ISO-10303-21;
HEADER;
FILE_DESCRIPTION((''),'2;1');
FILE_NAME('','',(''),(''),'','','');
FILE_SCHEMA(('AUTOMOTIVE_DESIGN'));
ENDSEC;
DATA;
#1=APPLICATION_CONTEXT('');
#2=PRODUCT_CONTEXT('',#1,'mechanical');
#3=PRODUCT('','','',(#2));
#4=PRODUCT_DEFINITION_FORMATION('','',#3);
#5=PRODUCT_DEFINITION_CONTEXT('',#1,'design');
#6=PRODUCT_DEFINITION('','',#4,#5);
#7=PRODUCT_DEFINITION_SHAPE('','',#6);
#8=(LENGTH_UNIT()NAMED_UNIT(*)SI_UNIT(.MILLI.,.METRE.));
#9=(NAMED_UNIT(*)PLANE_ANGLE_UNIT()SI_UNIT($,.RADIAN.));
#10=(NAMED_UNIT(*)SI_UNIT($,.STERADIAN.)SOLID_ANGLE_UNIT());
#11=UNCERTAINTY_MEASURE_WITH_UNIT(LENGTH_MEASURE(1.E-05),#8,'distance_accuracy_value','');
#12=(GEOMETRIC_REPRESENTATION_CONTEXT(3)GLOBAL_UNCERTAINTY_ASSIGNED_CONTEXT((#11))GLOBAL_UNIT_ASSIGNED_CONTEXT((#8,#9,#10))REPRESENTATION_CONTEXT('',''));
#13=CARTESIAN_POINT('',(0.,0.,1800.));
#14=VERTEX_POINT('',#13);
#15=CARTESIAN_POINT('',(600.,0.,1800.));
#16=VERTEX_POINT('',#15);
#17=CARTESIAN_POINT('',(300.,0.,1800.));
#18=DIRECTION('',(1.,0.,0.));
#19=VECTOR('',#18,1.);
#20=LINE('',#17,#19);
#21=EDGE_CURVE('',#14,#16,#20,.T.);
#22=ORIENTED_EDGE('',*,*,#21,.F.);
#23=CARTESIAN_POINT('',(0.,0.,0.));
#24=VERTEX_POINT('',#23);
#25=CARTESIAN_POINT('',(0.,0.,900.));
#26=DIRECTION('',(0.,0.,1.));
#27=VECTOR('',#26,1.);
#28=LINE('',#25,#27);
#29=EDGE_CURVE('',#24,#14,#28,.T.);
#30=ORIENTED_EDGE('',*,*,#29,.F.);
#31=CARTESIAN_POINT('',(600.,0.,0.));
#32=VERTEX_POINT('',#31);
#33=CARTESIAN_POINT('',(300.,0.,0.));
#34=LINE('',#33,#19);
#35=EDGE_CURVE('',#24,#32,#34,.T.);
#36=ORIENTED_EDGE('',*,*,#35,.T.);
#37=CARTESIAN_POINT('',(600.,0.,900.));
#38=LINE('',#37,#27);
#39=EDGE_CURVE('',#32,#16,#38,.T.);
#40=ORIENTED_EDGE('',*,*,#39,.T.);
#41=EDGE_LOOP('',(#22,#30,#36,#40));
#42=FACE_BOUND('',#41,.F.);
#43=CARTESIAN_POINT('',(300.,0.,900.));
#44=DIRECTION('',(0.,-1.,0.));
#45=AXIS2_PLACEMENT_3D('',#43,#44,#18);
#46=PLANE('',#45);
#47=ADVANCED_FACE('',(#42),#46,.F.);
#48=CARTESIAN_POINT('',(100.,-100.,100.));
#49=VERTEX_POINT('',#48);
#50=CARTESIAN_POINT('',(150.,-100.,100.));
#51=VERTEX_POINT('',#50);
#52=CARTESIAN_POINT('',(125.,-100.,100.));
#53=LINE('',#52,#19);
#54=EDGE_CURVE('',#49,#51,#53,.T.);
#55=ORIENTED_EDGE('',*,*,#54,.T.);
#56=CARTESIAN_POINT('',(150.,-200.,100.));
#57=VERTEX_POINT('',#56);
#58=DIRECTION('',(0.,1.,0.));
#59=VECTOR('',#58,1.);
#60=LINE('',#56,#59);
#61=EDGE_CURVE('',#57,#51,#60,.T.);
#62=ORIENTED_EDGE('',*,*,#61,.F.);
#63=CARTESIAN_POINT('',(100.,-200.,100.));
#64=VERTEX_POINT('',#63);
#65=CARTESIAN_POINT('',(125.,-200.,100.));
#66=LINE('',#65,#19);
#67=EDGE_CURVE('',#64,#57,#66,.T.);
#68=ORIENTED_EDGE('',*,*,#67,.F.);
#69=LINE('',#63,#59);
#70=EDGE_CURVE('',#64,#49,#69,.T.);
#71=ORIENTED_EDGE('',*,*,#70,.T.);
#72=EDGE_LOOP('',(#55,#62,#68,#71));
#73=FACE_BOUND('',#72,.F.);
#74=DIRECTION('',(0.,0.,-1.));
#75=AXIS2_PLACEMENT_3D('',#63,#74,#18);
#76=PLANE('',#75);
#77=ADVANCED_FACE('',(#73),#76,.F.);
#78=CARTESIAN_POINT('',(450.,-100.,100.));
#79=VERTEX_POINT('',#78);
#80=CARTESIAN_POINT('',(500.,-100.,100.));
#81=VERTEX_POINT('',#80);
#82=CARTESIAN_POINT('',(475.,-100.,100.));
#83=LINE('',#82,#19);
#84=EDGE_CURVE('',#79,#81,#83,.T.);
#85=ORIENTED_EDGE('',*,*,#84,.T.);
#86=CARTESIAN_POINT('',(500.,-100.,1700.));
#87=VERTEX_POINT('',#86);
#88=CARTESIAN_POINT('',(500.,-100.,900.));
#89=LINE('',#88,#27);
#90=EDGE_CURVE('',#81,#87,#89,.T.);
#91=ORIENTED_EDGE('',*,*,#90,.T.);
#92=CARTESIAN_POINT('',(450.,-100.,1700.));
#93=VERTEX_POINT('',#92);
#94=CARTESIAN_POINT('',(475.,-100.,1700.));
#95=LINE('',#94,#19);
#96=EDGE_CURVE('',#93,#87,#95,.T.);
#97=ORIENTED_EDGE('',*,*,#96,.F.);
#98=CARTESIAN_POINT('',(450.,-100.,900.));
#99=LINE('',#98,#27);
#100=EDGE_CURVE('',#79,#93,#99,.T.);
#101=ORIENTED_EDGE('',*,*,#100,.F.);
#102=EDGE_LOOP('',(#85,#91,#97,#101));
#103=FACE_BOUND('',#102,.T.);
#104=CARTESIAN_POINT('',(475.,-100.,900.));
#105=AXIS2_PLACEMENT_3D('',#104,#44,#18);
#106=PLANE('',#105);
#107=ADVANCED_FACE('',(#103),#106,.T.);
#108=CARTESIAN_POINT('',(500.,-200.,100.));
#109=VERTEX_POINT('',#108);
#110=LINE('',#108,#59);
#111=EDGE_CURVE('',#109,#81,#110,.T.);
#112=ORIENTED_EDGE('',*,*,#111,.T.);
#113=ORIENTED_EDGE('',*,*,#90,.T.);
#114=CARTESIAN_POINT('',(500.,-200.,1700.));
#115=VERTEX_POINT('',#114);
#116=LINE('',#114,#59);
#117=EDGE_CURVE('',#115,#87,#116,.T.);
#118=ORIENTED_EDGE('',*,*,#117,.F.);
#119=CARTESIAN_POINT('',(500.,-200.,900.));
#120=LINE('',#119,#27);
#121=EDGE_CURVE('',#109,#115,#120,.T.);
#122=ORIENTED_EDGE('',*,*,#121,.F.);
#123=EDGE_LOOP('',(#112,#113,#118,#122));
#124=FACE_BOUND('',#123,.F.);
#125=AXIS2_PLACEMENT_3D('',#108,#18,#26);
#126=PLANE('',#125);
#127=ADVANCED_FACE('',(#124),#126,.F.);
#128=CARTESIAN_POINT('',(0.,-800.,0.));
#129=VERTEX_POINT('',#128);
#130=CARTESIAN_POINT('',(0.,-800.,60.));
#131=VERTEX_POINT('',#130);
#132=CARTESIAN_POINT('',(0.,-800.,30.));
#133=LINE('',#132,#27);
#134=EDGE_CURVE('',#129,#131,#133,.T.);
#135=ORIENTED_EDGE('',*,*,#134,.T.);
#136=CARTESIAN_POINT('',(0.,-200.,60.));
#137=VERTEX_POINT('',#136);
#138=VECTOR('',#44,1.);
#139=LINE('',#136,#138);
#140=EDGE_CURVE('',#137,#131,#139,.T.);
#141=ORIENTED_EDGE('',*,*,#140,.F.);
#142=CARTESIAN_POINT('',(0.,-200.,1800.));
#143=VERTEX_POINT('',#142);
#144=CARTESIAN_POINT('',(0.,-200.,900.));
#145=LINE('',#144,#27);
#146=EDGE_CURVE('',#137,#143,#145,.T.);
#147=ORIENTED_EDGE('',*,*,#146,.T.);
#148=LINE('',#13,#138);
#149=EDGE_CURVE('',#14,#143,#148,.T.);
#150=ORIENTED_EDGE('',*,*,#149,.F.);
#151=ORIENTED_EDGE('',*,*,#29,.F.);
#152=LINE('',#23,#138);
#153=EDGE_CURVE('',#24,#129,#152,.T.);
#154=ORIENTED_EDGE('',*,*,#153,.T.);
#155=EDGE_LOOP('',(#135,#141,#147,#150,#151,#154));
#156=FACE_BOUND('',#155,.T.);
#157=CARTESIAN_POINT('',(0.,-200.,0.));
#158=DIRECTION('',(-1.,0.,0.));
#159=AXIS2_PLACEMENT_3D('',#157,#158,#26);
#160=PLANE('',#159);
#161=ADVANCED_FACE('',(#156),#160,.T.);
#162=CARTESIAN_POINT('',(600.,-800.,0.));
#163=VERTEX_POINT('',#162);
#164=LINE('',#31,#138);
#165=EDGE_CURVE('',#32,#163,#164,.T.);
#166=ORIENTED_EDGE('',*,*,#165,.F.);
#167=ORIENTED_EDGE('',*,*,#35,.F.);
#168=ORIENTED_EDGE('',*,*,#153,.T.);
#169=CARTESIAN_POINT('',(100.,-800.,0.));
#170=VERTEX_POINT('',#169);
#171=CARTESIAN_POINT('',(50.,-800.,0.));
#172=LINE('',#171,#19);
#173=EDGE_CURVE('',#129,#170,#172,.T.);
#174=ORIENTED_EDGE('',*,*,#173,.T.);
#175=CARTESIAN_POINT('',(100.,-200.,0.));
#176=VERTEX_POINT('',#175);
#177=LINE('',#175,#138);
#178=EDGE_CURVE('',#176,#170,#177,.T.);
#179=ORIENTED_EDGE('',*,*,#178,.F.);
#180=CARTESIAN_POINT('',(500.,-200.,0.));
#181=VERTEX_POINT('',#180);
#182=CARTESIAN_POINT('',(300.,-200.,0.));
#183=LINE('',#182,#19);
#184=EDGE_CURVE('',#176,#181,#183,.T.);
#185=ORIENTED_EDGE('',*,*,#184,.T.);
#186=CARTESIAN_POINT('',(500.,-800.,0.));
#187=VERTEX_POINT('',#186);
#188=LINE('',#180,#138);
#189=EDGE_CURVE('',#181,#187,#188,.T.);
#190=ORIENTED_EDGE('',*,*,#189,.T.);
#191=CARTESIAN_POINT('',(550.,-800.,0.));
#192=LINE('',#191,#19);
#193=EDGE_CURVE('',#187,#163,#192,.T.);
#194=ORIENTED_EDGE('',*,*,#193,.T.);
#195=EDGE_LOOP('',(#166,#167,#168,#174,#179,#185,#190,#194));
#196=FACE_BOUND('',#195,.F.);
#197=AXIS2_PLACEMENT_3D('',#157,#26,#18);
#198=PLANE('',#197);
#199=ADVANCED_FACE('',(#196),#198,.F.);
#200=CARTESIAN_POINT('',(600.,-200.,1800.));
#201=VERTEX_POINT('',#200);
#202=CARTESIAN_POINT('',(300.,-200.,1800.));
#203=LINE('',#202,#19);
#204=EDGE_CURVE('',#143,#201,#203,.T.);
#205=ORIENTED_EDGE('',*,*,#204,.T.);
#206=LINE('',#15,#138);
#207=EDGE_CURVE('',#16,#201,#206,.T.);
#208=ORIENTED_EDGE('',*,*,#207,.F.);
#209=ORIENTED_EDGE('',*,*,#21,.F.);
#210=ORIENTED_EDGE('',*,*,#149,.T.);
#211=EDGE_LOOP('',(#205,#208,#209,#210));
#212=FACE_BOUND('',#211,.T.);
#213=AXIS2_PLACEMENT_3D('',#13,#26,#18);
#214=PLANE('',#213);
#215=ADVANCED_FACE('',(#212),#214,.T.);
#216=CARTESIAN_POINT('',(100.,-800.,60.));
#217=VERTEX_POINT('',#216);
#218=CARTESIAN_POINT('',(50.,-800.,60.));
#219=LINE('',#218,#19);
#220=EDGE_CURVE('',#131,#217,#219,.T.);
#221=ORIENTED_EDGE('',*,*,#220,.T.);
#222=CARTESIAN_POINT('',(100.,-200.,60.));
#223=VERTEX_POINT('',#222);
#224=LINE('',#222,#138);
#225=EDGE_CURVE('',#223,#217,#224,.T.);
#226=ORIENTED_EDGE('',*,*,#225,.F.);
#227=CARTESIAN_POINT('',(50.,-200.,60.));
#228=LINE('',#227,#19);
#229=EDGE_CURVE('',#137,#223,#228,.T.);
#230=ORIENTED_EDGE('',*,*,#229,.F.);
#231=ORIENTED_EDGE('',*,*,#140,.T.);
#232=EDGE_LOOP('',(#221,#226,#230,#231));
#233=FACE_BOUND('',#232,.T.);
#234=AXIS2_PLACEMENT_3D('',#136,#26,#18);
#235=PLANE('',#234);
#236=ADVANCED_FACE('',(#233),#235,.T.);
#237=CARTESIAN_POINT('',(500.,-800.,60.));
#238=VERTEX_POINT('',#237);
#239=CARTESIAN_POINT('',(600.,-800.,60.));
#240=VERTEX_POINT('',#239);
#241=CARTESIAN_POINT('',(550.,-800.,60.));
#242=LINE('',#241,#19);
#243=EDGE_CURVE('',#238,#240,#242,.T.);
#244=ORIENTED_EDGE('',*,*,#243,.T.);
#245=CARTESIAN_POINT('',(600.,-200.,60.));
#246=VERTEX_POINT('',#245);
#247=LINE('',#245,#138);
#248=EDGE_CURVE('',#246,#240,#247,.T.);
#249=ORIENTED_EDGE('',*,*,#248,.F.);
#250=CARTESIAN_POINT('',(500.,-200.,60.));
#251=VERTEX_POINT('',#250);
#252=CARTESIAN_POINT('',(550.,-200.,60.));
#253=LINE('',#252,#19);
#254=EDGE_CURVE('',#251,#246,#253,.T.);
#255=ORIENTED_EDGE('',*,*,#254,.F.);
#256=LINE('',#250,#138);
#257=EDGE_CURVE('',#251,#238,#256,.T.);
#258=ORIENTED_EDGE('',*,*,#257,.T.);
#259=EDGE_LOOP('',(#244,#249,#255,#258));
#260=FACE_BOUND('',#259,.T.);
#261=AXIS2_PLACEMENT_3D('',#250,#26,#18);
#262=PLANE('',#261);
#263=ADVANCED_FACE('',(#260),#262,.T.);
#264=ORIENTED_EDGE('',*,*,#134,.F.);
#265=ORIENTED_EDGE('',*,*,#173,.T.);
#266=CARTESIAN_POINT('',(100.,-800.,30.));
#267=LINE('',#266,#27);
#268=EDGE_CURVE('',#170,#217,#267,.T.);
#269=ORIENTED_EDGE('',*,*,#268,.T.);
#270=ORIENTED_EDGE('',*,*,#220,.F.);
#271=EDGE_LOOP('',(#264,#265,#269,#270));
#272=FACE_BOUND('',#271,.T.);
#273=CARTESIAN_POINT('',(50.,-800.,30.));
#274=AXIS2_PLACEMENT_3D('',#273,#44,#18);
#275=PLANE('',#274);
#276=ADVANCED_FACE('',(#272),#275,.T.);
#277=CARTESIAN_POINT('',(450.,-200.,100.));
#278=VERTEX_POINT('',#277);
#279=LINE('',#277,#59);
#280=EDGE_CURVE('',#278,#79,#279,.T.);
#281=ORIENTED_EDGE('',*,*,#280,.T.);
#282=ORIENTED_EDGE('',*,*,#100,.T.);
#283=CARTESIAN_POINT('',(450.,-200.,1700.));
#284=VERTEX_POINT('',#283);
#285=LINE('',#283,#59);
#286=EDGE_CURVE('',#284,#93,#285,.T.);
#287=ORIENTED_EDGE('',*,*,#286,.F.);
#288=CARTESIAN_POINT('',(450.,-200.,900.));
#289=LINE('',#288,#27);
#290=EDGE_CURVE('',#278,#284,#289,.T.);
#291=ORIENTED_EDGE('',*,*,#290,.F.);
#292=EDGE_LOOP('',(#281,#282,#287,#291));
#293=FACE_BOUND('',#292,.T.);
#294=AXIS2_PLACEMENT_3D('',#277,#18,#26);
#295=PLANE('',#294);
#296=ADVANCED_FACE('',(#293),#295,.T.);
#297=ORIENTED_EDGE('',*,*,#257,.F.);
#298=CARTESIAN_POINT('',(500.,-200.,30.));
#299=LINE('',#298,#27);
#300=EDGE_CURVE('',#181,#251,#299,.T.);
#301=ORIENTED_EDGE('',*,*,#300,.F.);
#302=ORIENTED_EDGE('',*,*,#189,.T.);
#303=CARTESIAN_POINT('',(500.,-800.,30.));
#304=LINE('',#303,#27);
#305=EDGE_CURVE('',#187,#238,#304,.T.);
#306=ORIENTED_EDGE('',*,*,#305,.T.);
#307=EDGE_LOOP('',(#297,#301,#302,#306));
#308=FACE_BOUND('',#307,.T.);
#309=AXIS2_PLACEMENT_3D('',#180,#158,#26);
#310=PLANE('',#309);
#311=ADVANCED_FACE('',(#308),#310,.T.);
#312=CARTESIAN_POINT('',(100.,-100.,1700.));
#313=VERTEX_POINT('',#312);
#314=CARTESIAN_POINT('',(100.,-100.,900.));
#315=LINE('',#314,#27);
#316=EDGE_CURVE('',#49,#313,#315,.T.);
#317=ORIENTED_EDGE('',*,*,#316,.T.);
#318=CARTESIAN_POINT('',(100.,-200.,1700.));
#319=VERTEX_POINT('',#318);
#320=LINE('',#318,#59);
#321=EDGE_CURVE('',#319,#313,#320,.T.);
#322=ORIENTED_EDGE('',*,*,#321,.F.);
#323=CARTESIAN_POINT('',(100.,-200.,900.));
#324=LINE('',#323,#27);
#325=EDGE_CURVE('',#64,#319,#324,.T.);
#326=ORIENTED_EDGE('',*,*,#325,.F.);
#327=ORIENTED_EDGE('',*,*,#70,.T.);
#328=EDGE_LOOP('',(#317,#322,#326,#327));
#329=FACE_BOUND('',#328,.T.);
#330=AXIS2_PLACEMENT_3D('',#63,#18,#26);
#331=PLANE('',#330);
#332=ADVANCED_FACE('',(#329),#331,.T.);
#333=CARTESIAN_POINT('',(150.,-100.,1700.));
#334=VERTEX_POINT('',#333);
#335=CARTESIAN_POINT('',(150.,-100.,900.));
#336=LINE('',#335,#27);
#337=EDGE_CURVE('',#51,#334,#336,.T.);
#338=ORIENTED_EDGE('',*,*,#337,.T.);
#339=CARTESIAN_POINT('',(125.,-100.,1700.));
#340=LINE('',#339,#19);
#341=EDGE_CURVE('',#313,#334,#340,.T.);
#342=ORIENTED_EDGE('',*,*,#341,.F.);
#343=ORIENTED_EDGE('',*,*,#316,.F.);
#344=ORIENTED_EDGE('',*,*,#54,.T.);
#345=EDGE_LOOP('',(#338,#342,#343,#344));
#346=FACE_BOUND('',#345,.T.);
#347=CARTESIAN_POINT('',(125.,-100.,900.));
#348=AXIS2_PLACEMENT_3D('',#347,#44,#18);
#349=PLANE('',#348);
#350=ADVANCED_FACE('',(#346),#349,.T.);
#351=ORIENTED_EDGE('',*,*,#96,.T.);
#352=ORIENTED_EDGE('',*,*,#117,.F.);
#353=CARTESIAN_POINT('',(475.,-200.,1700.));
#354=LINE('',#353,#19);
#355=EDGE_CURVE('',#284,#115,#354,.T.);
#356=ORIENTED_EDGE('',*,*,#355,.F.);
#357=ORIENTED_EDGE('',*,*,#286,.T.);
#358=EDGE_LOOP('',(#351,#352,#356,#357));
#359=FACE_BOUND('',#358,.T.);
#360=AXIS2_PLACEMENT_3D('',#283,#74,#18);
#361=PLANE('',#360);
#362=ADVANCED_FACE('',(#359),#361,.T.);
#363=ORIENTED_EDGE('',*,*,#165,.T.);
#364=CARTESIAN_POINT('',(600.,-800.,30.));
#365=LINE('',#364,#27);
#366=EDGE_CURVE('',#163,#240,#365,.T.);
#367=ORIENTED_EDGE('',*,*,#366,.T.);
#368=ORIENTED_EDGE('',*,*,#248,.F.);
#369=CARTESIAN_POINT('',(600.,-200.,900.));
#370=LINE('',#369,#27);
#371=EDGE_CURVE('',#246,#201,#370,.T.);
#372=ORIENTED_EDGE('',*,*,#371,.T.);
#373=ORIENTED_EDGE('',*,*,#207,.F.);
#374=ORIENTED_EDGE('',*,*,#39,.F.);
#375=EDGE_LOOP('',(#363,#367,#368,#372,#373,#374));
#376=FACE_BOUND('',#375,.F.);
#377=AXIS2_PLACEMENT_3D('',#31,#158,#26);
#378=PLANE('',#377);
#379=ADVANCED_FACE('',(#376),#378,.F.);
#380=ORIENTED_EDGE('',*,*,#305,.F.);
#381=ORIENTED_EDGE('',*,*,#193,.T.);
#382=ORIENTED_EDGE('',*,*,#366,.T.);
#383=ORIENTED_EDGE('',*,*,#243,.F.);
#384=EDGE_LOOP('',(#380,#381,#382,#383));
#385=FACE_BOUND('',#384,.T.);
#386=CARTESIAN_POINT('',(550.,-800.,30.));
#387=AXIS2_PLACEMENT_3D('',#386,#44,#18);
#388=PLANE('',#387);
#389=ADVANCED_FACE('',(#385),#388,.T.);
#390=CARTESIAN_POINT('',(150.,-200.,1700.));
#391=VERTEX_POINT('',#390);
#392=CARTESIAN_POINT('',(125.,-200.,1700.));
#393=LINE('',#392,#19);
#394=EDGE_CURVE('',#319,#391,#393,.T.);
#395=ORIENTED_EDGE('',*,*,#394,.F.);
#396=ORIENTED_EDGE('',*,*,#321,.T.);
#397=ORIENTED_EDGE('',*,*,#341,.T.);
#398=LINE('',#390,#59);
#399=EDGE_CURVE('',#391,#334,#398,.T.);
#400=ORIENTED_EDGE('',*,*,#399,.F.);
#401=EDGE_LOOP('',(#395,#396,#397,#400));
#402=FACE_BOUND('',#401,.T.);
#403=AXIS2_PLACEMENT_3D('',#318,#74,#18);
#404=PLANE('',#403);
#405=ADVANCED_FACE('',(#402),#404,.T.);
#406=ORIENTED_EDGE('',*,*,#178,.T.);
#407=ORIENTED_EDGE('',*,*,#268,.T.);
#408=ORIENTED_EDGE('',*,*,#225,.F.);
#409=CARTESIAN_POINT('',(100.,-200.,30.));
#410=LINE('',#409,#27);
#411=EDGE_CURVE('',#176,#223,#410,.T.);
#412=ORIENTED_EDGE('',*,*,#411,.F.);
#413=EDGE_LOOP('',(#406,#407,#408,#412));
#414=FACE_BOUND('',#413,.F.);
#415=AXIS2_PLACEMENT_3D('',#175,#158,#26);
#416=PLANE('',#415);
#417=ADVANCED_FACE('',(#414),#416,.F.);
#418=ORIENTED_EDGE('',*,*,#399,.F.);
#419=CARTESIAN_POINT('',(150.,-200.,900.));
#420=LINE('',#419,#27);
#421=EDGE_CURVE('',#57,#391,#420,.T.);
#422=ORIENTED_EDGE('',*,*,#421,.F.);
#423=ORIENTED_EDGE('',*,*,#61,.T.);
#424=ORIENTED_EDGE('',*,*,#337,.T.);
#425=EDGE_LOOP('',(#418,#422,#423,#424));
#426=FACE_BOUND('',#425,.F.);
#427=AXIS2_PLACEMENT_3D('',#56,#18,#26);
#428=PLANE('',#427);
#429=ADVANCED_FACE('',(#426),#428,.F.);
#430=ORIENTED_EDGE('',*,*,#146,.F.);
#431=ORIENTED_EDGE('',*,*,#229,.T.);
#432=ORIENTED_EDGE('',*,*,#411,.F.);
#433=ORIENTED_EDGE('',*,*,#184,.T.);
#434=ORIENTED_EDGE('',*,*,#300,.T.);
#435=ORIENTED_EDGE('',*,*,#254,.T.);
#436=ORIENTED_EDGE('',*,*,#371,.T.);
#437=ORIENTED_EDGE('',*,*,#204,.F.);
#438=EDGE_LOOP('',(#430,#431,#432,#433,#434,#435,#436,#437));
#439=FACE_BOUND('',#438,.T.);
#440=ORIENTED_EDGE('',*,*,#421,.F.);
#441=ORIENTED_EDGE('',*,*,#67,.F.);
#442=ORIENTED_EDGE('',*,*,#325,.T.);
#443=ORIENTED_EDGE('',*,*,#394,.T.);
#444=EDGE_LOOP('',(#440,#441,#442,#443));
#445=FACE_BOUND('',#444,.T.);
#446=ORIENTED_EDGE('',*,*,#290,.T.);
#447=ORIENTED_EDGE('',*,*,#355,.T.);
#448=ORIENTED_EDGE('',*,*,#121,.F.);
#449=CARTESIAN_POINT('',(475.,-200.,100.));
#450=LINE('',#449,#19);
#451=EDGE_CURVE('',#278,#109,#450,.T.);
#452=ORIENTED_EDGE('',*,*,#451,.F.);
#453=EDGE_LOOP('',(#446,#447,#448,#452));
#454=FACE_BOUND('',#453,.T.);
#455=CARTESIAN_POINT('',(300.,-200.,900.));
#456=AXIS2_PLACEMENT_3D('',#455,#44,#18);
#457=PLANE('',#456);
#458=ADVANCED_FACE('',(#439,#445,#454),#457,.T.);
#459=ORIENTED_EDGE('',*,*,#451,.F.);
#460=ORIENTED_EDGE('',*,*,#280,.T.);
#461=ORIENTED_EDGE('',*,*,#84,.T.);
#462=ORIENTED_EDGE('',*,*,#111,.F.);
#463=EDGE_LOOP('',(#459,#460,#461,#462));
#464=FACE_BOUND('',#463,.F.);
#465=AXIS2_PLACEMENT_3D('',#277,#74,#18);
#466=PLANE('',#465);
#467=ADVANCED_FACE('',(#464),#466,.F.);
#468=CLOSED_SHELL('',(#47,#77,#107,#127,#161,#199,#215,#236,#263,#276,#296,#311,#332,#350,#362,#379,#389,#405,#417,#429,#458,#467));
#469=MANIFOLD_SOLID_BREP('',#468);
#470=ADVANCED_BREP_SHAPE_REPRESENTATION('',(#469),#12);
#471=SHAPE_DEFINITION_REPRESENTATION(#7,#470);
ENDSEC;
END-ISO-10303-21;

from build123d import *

# Parameters (mm, degrees)
F0_W     = 600
F0_H     = 1800
F1_DEPTH = 200
F2_W     = 100
F2_H     = 60
F3_DEPTH = 600
F4_W     = 50
F4_H     = 1600
F5_DEPTH = 100


with BuildPart() as f1:
    # F0 (on Front) → F1 (new body)
    with BuildSketch(Plane.XZ):
        with Locations((300, 900)):
            Rectangle(F0_W, F0_H)
    extrude(amount=F1_DEPTH)

    # F2 (on face) → F3 (join)
    with BuildSketch(Plane.XZ.offset(200)):
        with Locations((50, 30)):
            Rectangle(F2_W, F2_H)
        with Locations((550, 30)):
            Rectangle(F2_W, F2_H)
    extrude(amount=F3_DEPTH)

    # F4 (on face) → F5 (cut)
    with BuildSketch(Plane.XZ.offset(200)):
        with Locations((125, 900)):
            Rectangle(F4_W, F4_H)
        with Locations((475, 900)):
            Rectangle(F4_W, F4_H)
    extrude(amount=-F5_DEPTH, mode=Mode.SUBTRACT)


solid = f1.part
